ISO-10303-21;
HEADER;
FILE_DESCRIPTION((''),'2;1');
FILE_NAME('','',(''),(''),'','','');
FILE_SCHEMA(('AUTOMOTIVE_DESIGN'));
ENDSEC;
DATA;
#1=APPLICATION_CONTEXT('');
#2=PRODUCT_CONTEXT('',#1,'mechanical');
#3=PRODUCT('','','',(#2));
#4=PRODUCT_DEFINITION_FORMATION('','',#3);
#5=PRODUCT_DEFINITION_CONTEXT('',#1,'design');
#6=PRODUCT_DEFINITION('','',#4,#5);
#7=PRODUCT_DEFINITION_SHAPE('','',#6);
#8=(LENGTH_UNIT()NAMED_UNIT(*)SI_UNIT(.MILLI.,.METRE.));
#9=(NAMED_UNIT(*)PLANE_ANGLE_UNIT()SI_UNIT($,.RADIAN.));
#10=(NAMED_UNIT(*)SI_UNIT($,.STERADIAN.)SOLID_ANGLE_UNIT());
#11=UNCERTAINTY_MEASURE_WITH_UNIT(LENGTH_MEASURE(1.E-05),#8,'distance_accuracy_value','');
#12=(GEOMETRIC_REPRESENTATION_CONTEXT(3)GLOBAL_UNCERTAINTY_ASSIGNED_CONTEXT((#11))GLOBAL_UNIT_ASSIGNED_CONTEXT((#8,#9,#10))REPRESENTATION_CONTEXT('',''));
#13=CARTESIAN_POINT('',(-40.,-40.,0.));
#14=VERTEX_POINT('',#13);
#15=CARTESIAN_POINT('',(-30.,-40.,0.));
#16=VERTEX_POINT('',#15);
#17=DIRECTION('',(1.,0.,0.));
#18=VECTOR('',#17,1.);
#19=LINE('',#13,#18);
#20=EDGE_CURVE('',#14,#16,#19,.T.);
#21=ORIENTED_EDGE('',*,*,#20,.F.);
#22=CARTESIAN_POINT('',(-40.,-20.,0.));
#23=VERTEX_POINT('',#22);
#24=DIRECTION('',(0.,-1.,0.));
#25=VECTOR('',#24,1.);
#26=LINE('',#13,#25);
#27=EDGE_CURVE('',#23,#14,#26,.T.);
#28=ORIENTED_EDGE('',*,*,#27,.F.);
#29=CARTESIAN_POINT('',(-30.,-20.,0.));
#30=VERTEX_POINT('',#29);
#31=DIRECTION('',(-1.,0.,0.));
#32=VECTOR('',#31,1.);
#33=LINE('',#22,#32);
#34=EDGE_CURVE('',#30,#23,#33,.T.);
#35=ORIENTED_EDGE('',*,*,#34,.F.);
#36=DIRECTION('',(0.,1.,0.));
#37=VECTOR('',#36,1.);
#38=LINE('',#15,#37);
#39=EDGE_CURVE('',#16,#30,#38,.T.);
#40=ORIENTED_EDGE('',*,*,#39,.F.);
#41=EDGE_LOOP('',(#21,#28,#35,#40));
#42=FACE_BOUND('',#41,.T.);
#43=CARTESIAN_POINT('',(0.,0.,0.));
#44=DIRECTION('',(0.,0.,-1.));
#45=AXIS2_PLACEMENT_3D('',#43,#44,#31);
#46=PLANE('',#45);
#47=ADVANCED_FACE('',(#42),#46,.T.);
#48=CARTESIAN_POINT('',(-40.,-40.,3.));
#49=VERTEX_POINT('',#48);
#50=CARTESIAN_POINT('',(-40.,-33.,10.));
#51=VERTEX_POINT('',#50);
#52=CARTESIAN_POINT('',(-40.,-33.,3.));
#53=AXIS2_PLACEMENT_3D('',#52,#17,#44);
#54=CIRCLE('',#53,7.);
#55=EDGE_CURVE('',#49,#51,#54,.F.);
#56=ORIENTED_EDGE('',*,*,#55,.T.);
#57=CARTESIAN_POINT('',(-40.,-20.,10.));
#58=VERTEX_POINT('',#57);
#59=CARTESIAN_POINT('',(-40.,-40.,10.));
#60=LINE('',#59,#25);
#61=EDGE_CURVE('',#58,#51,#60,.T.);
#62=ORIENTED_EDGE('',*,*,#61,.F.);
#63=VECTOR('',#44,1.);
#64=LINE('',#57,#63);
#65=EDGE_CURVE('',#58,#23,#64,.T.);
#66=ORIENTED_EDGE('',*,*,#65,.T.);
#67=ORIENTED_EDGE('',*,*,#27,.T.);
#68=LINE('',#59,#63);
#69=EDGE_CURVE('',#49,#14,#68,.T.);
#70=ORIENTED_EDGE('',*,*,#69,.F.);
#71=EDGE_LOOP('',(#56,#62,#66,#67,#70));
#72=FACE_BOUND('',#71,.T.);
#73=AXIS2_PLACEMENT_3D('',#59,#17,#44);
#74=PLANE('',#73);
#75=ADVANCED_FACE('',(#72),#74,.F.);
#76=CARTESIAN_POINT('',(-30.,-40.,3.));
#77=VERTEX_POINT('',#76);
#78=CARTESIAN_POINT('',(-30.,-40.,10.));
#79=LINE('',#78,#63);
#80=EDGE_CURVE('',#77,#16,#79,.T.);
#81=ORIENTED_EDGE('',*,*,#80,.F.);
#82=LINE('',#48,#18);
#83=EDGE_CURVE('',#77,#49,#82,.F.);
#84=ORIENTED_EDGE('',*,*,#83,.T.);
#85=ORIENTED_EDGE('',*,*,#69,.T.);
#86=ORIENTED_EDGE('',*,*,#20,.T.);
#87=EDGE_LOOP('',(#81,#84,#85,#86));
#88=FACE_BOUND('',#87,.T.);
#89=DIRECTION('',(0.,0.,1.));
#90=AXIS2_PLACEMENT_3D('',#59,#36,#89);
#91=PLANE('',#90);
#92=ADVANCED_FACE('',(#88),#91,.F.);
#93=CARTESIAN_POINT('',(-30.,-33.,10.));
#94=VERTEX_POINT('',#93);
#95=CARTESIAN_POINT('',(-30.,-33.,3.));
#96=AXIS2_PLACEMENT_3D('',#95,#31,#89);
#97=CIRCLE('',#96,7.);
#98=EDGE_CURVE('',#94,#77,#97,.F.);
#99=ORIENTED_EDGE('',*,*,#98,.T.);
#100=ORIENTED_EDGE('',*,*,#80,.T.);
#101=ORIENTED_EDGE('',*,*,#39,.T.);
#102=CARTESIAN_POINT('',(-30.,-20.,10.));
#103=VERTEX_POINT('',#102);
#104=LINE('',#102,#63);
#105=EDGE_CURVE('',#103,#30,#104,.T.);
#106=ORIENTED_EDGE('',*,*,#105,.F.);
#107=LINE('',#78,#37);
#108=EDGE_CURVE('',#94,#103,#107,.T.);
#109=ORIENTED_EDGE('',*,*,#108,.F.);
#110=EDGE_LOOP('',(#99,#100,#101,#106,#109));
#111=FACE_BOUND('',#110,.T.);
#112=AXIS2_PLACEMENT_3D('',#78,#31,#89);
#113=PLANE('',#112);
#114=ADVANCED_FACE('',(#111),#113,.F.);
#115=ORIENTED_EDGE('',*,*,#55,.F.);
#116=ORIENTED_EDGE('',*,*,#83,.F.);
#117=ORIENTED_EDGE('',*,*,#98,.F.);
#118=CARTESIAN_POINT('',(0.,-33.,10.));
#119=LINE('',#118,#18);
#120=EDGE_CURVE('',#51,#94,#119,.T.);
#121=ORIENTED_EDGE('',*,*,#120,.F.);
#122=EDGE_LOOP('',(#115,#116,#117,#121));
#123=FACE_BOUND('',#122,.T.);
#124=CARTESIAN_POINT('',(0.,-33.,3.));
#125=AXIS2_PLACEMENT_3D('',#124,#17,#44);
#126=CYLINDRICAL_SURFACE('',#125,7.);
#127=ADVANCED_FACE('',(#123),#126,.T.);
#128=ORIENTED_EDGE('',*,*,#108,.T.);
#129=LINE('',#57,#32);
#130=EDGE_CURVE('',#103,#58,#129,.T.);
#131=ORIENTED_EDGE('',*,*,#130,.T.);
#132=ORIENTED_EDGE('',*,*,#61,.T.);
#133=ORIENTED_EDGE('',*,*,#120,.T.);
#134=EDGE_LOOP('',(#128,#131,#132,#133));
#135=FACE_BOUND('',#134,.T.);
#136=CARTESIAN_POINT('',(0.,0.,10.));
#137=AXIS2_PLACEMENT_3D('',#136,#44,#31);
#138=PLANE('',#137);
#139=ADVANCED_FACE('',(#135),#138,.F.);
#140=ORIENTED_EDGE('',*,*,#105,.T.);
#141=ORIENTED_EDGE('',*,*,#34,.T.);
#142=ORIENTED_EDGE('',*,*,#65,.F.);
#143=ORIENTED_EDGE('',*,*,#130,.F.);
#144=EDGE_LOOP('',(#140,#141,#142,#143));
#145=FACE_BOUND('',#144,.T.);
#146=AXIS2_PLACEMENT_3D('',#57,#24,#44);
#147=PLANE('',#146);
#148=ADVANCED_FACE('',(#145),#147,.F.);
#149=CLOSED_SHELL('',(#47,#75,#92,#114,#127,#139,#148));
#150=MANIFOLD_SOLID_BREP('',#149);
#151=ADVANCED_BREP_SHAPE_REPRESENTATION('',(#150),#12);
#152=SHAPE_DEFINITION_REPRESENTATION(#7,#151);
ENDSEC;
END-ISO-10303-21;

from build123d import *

# Parameters (mm, degrees)
SKETCH_1_W      = 10
SKETCH_1_H      = 20
EXTRUDE_1_DEPTH = 10
FILLET_1_R      = 7


with BuildPart() as part:
    # 草图1 → 凸台-拉伸1 (new body)
    with BuildSketch(Plane.XY):
        with Locations((-35, -30)):
            Rectangle(SKETCH_1_W, SKETCH_1_H)
    extrude(amount=EXTRUDE_1_DEPTH)

    # 圆角1
    fillet_1_edges = [part.edges().sort_by_distance(p)[0] for p in [
        (-35, -40, 10),
    ]]
    fillet(fillet_1_edges, radius=FILLET_1_R)


solid = part.part
